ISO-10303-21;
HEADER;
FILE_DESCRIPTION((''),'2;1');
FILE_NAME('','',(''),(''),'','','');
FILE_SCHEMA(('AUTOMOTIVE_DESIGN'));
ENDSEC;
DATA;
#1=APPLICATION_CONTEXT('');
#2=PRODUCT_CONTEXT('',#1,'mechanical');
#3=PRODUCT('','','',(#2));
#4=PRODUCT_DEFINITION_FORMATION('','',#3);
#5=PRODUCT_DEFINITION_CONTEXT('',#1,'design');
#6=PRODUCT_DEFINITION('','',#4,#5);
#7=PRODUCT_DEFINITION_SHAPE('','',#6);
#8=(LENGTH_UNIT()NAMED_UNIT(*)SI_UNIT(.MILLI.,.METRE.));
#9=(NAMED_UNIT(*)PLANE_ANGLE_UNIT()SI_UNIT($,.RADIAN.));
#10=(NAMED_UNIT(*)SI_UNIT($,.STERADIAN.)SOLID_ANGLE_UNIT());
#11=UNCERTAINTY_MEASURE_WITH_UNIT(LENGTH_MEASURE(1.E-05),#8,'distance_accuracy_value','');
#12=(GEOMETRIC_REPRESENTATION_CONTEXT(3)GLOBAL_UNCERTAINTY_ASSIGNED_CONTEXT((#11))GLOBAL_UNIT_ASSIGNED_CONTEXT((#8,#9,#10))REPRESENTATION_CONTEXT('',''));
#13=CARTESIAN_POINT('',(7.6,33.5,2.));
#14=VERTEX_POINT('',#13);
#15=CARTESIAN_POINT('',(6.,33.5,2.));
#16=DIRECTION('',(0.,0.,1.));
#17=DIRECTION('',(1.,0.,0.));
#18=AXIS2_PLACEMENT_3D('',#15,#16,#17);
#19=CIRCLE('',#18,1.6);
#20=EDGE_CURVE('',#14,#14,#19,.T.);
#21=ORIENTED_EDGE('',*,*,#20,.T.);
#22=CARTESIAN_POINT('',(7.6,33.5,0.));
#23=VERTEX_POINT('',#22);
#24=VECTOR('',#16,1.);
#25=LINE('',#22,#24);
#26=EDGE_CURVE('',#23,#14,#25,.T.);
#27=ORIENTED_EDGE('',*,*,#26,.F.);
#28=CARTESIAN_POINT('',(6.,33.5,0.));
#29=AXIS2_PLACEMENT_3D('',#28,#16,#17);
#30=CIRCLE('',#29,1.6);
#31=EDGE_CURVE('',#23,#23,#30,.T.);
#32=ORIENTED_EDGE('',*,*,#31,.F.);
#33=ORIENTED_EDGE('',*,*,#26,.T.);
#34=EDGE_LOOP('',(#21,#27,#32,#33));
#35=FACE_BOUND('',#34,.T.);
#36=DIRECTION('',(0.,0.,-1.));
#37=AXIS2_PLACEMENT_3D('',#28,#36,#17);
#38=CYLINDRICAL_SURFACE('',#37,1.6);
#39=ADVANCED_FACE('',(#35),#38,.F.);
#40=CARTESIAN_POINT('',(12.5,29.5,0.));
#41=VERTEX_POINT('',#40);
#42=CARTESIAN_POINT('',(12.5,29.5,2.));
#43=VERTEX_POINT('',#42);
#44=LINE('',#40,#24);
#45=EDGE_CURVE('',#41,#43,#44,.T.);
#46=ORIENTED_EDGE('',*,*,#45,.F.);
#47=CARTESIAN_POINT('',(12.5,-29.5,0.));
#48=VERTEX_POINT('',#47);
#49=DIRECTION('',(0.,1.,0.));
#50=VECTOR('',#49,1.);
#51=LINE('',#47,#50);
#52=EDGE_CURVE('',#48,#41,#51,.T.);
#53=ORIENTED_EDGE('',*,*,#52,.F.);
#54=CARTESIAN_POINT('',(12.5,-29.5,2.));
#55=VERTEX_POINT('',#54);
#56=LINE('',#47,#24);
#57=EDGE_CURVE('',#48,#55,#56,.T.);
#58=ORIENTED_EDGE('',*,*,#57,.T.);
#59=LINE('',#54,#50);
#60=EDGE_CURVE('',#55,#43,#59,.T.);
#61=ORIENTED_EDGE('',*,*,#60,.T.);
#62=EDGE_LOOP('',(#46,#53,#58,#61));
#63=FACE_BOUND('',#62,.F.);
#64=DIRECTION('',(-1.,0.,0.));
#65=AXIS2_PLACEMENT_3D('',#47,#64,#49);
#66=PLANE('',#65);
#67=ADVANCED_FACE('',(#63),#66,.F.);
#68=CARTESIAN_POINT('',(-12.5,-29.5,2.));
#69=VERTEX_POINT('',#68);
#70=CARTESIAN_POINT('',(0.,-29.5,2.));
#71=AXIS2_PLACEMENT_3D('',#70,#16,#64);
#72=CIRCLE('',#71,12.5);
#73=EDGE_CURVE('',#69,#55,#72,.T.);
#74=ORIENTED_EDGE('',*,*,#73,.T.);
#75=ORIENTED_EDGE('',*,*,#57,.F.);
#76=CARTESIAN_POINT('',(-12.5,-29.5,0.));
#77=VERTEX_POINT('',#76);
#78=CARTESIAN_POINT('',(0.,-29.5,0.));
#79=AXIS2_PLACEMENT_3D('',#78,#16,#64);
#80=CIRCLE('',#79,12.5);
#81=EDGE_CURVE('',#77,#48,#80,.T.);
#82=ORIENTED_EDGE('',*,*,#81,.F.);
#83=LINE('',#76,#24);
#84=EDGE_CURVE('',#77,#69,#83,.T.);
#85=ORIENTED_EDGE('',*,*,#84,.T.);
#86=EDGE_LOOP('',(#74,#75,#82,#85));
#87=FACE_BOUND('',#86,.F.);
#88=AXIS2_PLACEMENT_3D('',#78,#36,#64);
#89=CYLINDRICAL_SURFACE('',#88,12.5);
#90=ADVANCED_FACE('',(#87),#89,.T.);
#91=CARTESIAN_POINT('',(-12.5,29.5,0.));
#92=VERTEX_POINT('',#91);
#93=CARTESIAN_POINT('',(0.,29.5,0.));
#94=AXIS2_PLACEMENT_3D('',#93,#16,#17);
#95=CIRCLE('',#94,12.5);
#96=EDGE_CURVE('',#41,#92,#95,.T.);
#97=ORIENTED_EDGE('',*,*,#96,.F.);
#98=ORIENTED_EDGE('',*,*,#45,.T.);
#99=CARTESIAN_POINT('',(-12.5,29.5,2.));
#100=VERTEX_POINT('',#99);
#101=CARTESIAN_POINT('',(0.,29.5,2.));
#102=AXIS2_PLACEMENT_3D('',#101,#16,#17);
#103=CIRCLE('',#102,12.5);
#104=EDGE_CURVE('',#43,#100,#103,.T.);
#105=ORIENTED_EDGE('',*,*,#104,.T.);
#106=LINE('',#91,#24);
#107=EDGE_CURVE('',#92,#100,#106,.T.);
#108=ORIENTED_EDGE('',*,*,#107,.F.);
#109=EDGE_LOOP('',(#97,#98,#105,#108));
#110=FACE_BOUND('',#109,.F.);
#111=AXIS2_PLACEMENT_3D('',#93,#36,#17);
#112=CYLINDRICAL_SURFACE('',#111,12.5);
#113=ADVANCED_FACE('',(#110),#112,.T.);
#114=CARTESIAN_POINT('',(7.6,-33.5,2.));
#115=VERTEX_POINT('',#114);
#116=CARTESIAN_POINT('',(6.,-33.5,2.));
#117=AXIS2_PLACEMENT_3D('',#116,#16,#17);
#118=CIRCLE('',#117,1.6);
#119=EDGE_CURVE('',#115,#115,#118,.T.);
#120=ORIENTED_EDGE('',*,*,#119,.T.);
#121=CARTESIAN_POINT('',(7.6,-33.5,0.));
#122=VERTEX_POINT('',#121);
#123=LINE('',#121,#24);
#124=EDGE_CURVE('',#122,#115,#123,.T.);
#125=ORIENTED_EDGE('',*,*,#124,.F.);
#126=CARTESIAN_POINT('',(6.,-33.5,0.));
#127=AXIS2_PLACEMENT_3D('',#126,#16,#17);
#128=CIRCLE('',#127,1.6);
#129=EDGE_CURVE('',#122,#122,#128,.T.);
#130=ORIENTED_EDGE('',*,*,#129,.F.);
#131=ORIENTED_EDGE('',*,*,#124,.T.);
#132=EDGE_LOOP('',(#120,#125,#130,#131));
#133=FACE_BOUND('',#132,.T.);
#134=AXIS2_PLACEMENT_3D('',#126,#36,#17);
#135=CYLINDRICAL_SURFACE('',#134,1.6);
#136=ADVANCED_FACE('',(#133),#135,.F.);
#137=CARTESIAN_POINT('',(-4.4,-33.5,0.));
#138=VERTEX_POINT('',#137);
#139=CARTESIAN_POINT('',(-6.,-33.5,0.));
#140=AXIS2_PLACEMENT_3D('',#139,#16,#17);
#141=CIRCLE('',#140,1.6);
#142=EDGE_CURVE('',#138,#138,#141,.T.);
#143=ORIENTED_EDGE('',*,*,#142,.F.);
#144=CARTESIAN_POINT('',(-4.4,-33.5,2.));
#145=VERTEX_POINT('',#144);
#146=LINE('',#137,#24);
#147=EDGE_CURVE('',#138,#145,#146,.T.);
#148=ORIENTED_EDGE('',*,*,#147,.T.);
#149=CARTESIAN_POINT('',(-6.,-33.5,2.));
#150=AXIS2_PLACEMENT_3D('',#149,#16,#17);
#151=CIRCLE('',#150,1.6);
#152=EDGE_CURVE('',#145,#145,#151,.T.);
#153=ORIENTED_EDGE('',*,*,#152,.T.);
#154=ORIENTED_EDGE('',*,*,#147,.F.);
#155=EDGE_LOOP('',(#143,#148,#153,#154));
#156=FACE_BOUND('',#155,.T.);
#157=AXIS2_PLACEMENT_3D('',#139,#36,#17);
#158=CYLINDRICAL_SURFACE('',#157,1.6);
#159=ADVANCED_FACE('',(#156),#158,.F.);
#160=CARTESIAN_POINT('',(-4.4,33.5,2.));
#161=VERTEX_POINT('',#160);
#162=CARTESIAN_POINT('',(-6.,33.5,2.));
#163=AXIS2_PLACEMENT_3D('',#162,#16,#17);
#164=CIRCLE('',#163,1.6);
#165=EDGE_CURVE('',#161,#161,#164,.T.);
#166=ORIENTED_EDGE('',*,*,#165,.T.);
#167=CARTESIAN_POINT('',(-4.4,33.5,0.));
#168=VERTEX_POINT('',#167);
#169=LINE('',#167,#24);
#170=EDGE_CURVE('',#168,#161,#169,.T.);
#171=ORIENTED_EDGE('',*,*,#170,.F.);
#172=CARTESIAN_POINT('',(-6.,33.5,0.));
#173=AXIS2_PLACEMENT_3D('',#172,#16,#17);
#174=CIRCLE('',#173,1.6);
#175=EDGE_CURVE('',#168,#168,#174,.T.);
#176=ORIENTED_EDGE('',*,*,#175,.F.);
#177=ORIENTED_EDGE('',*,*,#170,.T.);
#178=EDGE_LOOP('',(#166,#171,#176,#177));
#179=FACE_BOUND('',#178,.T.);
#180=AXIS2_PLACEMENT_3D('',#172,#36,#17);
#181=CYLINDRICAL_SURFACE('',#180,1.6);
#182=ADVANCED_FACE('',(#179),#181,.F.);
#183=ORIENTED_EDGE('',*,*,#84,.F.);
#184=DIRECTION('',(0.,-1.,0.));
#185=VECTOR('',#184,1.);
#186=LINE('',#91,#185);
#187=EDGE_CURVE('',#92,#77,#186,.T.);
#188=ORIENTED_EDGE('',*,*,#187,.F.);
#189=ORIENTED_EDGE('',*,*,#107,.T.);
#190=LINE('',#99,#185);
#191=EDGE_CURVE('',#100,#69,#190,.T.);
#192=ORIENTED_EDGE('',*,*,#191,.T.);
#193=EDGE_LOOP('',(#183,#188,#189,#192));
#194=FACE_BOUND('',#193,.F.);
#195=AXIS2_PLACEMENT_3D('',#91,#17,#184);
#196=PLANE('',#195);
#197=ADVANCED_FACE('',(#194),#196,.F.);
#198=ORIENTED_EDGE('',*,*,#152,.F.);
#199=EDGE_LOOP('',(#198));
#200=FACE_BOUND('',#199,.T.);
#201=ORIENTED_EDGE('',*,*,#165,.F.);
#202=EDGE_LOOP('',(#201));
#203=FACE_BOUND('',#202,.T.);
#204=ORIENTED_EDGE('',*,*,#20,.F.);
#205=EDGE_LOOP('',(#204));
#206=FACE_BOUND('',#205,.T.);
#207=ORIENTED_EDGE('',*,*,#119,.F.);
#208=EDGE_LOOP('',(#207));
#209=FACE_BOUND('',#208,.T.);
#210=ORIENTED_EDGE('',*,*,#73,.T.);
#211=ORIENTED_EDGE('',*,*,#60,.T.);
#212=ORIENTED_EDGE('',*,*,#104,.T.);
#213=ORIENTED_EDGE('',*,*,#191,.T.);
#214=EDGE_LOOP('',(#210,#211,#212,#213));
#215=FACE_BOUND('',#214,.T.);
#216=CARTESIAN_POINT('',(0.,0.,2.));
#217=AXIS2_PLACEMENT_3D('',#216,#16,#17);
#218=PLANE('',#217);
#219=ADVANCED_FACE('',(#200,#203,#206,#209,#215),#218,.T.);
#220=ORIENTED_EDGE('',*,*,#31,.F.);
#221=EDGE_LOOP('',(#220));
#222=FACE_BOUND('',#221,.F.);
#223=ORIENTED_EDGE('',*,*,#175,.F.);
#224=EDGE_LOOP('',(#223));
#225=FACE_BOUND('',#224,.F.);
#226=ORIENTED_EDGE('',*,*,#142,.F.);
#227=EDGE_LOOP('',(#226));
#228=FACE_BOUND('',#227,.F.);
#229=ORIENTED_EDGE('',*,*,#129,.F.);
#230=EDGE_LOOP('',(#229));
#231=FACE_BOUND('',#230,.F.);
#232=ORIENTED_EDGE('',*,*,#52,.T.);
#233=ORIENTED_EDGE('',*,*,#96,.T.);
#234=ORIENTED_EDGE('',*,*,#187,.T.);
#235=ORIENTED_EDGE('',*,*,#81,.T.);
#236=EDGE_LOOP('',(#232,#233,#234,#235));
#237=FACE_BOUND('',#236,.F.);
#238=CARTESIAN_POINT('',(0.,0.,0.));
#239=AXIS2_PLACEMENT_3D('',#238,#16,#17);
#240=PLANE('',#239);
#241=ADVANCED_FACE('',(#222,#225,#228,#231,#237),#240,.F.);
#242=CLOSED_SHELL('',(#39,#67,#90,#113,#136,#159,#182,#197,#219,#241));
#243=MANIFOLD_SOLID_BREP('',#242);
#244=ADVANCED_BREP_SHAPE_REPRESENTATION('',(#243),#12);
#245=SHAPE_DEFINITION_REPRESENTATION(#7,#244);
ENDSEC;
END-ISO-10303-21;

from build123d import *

# Parameters (mm, degrees)
F0_R     = 1.6
F1_DEPTH = 2


with BuildPart() as f1:
    # F0 (on Top) → F1 (new body)
    with BuildSketch(Plane.XY):
        with BuildLine():
            Line((12.5, -29.5), (12.5, 29.5))
            ThreePointArc((12.5, 29.5), (0, 42), (-12.5, 29.5))
            Line((-12.5, 29.5), (-12.5, -29.5))
            ThreePointArc((-12.5, -29.5), (0, -42), (12.5, -29.5))
        make_face()
        with Locations((-6, -33.5)):
            Circle(F0_R, mode=Mode.SUBTRACT)
        with Locations((6, -33.5)):
            Circle(F0_R, mode=Mode.SUBTRACT)
        with Locations((-6, 33.5)):
            Circle(F0_R, mode=Mode.SUBTRACT)
        with Locations((6, 33.5)):
            Circle(F0_R, mode=Mode.SUBTRACT)
    extrude(amount=F1_DEPTH)


solid = f1.part
